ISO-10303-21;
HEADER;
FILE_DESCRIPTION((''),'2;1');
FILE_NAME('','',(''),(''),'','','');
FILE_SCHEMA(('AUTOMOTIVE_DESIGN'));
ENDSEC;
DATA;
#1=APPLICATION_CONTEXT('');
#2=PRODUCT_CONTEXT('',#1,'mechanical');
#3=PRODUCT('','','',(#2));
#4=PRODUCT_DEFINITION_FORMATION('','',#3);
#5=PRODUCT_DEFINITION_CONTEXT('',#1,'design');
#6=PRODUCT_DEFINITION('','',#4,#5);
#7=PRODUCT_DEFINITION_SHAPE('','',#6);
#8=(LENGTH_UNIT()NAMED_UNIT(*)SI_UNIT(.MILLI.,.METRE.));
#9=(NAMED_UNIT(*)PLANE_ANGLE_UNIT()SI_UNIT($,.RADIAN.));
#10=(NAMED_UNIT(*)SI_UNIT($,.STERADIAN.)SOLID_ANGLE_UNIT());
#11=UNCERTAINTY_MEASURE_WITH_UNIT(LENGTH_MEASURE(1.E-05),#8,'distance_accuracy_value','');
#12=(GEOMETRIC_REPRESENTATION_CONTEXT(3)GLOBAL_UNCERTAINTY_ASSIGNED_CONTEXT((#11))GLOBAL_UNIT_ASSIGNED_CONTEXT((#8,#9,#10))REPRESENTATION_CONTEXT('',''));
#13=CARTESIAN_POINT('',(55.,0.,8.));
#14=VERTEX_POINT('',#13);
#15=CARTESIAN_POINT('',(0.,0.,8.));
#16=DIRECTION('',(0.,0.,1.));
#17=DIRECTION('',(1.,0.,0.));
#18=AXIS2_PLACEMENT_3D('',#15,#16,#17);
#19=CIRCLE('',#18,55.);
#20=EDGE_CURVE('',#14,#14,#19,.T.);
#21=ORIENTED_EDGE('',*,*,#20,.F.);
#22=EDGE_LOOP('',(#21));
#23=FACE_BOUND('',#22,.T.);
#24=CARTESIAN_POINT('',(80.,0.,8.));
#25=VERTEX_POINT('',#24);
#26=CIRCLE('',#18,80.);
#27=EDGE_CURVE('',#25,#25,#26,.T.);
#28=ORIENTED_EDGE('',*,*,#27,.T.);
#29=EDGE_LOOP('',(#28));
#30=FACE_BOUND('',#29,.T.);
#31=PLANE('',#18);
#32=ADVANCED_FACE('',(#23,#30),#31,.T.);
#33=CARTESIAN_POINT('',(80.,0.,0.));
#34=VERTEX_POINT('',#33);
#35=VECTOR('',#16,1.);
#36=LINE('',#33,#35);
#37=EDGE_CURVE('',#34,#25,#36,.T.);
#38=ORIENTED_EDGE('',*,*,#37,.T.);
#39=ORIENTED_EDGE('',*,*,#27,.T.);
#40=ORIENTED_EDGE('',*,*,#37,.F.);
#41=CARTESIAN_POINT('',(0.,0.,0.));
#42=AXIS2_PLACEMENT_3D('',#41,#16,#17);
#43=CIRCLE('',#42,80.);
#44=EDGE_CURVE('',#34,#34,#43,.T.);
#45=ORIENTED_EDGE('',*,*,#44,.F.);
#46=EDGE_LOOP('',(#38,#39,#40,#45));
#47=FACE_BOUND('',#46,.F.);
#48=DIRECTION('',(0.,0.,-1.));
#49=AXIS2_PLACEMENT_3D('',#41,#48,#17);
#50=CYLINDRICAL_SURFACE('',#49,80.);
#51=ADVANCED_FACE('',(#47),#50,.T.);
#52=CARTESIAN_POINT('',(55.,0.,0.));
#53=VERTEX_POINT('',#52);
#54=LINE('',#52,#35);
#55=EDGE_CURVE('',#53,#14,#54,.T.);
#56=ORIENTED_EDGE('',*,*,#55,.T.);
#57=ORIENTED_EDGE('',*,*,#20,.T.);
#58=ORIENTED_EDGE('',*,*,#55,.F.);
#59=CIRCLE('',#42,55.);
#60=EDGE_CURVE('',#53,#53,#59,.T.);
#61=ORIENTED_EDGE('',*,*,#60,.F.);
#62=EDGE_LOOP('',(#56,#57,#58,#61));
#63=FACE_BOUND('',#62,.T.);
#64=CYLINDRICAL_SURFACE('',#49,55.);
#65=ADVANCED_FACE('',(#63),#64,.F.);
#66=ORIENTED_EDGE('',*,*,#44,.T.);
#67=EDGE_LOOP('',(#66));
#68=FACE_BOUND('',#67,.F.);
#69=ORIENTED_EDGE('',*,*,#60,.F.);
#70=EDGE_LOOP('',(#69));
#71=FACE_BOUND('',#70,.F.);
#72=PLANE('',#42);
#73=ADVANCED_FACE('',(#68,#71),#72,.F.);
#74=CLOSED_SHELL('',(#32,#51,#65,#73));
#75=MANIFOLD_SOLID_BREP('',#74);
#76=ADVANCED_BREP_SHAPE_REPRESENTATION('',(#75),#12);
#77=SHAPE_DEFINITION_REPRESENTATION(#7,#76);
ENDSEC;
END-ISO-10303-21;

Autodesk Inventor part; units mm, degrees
ref_plane "YZ Plane" through (0, 0, 0) normal (1, 0, 0) x (0, 1, 0)
ref_plane "XZ Plane" through (0, 0, 0) normal (0, 1, 0) x (-1, 0, 0)
ref_plane "XY Plane" through (0, 0, 0) normal (0, 0, 1) x (1, 0, 0)
sketch "Sketch2" plane through (0, 0, 0) normal (0, 0, 1) x (1, 0, 0)
  circle A0 centre (0, 0) radius 55
  circle A1 centre (0, 0) radius 80
  dimension "d25" = 110
  dimension "d27" = 160
extrude "Plate2" add sketch "Sketch2" along normal blind 8
equation "\"d14\" = Thickness"
equation "\"BendReliefWidth\" = Thickness"
equation "\"BendReliefDepth\" = 0.5 * Thickness"
equation "\"CornerReliefSize\" = 4 * Thickness"
equation "\"MinimumRemnant\" = 2 * Thickness"
equation "\"TransitionRadius\" = BendRadius"
equation "\"JacobiRadiusSize\" = BendRadius"
equation "\"GapSize\" = Thickness"
equation "\"Thickness\" = 8"
equation "\"BendRadius\" = 6"
properties part number "APN 1432 FDS free flange DN90" material "Steel"
